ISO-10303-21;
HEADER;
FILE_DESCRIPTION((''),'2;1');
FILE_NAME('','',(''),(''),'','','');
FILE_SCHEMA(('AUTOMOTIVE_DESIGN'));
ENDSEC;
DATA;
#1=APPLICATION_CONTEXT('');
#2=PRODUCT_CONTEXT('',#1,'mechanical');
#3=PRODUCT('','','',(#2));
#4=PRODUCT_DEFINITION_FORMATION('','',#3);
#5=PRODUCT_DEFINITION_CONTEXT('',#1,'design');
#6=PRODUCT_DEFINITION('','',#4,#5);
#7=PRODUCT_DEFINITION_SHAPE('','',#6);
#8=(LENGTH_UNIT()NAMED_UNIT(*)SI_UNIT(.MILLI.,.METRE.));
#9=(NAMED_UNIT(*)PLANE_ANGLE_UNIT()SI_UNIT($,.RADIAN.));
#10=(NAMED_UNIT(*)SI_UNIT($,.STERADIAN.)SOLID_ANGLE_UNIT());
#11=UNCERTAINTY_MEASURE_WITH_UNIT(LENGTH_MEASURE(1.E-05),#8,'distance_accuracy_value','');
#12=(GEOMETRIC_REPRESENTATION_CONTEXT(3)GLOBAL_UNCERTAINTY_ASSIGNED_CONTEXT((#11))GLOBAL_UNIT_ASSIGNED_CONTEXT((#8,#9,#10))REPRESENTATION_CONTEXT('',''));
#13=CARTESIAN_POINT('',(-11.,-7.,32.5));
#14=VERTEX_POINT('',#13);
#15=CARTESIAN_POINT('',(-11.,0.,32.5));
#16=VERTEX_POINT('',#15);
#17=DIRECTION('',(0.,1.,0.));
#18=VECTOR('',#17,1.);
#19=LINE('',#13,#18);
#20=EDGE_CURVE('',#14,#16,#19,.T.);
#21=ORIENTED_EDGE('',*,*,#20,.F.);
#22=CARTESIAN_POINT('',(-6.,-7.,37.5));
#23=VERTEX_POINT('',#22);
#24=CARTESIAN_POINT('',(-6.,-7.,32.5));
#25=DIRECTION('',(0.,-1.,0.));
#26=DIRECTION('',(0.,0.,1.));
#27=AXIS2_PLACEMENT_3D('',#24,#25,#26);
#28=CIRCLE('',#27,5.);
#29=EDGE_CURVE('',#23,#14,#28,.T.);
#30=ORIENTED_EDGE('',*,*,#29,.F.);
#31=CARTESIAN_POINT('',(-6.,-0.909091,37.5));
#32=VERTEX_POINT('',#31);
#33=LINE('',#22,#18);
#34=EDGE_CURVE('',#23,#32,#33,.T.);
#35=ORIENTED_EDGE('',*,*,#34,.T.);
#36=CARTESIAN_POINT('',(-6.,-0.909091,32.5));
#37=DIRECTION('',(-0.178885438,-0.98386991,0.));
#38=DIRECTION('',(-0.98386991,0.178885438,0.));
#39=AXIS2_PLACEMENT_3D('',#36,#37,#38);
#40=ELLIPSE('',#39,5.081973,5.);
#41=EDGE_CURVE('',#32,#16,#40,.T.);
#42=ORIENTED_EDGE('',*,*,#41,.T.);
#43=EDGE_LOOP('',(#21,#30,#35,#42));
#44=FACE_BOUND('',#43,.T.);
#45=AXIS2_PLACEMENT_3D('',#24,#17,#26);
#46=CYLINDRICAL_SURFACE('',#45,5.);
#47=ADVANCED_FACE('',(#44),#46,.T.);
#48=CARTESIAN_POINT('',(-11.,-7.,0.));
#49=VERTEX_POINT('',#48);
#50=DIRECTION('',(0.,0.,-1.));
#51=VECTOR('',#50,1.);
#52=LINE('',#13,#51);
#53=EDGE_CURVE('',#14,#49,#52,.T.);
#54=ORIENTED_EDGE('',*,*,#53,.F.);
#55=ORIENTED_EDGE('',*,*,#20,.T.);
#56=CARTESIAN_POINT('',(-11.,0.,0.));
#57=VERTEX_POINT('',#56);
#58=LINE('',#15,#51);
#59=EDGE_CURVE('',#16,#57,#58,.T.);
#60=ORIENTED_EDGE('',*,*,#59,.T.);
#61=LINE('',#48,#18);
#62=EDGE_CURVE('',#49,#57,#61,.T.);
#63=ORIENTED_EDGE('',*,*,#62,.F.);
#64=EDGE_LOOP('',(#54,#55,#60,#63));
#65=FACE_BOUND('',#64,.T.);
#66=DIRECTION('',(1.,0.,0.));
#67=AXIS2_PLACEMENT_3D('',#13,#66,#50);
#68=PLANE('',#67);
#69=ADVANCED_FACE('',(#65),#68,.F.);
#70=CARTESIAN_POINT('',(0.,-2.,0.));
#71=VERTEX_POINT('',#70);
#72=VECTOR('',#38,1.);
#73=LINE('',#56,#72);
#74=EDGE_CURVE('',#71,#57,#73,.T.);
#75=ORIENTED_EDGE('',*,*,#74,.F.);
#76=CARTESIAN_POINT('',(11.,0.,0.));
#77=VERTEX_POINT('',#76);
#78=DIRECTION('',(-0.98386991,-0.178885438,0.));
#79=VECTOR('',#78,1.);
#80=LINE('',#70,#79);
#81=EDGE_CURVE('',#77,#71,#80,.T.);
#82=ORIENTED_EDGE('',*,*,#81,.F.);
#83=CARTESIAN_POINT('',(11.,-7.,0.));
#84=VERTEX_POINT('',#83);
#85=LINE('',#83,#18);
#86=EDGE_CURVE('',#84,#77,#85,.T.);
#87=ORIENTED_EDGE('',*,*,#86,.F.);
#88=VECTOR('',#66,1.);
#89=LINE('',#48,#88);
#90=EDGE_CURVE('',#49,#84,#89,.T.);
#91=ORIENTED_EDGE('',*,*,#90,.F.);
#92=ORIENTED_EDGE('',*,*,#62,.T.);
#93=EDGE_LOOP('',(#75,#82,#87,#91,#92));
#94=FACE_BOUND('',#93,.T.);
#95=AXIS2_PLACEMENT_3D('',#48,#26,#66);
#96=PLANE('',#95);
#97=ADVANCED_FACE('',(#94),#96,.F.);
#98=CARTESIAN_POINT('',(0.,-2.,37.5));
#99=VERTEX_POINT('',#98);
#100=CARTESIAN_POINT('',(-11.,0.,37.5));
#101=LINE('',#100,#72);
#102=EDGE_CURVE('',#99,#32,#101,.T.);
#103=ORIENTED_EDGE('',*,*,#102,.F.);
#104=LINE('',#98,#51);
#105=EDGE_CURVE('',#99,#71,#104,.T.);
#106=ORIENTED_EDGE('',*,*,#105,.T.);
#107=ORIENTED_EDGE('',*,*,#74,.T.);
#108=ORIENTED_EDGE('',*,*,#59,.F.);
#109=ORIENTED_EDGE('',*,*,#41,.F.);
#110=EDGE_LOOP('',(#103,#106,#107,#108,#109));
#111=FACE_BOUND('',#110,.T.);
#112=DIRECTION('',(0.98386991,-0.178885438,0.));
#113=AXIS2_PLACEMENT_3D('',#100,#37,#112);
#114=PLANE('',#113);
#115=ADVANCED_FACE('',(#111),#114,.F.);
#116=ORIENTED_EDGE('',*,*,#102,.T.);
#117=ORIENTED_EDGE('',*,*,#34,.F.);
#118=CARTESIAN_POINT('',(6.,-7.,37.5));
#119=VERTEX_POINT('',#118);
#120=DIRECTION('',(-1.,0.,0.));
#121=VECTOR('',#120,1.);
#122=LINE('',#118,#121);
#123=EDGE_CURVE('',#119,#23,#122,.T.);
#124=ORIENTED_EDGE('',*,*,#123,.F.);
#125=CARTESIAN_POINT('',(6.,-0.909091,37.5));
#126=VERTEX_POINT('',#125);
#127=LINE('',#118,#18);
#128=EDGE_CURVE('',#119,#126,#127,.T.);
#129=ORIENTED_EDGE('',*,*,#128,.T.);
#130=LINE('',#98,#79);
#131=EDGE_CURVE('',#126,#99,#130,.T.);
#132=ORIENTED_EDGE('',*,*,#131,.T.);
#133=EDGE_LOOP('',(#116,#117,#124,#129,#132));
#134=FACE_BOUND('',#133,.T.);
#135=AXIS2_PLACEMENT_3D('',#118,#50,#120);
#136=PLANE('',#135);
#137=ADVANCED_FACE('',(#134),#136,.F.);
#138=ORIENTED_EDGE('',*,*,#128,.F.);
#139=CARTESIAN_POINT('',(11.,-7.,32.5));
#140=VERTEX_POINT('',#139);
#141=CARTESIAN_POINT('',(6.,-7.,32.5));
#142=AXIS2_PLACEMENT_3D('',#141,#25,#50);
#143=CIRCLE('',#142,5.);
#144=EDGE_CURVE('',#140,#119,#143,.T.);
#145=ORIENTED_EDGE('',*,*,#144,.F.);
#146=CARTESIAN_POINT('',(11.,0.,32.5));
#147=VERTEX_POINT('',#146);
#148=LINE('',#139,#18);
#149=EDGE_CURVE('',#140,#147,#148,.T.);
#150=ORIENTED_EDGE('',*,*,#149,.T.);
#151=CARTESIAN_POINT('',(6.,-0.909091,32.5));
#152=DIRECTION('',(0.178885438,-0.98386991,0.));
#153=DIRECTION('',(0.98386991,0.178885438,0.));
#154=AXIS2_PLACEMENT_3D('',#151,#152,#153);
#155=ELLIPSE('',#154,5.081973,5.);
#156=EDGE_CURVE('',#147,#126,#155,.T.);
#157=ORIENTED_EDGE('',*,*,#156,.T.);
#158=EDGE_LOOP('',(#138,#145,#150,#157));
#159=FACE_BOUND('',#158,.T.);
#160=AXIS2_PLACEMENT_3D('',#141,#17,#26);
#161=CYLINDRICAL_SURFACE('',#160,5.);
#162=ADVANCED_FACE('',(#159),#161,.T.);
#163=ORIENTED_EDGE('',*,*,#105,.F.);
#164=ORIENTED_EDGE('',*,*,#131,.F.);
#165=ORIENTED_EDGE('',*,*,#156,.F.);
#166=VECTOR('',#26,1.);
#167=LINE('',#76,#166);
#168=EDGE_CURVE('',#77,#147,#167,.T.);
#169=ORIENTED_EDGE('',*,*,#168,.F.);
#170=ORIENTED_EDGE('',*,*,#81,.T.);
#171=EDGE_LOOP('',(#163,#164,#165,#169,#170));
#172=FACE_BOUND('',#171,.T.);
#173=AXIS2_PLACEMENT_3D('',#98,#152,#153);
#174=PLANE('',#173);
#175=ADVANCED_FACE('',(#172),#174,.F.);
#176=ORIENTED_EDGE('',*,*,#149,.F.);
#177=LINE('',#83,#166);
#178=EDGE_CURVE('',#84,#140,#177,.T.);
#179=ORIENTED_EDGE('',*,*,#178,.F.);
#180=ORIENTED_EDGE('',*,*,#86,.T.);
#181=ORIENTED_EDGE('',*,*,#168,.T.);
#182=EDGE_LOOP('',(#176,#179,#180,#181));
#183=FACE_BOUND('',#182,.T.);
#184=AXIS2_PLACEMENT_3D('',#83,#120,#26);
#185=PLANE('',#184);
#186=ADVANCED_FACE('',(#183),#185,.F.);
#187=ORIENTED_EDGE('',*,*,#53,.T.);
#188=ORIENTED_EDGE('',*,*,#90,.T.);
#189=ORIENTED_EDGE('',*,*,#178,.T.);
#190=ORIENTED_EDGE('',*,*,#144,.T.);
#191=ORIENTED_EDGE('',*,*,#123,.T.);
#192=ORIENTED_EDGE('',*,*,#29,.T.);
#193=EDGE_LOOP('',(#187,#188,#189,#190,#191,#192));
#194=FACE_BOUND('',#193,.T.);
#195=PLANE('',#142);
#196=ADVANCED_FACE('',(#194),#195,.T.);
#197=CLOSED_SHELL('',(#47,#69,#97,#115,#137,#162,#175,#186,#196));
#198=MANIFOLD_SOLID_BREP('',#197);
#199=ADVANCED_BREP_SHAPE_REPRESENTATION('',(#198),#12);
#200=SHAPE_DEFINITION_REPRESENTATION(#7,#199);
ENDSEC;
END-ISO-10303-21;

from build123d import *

# Parameters (mm, degrees)
EXTRUDE_2_DEPTH     = 7
CUT_EXTRUDE_1_DEPTH = 40.702015062


with BuildPart() as part:
    # 草图1 → 凸台-拉伸2 (new body)
    with BuildSketch(Plane.XZ):
        with BuildLine():
            Line((6, 37.5), (-6, 37.5))
            ThreePointArc((-6, 37.5), (-9.535533906, 36.035533906), (-11, 32.5))
            Line((-11, 32.5), (-11, 0))
            Line((-11, 0), (11, 0))
            Line((11, 0), (11, 32.5))
            ThreePointArc((11, 32.5), (9.535533906, 36.035533906), (6, 37.5))
        make_face()
    extrude(amount=EXTRUDE_2_DEPTH)

    # 草图2 → 切除-拉伸1 (cut, through all)
    with BuildSketch(Plane(origin=(0, 0, 0), x_dir=(-1, 0, 0), z_dir=(0, 0, -1))):
        Polygon((-11, 0), (11, 0), (0, -2), align=None)
    extrude(amount=-CUT_EXTRUDE_1_DEPTH, mode=Mode.SUBTRACT)


solid = part.part
